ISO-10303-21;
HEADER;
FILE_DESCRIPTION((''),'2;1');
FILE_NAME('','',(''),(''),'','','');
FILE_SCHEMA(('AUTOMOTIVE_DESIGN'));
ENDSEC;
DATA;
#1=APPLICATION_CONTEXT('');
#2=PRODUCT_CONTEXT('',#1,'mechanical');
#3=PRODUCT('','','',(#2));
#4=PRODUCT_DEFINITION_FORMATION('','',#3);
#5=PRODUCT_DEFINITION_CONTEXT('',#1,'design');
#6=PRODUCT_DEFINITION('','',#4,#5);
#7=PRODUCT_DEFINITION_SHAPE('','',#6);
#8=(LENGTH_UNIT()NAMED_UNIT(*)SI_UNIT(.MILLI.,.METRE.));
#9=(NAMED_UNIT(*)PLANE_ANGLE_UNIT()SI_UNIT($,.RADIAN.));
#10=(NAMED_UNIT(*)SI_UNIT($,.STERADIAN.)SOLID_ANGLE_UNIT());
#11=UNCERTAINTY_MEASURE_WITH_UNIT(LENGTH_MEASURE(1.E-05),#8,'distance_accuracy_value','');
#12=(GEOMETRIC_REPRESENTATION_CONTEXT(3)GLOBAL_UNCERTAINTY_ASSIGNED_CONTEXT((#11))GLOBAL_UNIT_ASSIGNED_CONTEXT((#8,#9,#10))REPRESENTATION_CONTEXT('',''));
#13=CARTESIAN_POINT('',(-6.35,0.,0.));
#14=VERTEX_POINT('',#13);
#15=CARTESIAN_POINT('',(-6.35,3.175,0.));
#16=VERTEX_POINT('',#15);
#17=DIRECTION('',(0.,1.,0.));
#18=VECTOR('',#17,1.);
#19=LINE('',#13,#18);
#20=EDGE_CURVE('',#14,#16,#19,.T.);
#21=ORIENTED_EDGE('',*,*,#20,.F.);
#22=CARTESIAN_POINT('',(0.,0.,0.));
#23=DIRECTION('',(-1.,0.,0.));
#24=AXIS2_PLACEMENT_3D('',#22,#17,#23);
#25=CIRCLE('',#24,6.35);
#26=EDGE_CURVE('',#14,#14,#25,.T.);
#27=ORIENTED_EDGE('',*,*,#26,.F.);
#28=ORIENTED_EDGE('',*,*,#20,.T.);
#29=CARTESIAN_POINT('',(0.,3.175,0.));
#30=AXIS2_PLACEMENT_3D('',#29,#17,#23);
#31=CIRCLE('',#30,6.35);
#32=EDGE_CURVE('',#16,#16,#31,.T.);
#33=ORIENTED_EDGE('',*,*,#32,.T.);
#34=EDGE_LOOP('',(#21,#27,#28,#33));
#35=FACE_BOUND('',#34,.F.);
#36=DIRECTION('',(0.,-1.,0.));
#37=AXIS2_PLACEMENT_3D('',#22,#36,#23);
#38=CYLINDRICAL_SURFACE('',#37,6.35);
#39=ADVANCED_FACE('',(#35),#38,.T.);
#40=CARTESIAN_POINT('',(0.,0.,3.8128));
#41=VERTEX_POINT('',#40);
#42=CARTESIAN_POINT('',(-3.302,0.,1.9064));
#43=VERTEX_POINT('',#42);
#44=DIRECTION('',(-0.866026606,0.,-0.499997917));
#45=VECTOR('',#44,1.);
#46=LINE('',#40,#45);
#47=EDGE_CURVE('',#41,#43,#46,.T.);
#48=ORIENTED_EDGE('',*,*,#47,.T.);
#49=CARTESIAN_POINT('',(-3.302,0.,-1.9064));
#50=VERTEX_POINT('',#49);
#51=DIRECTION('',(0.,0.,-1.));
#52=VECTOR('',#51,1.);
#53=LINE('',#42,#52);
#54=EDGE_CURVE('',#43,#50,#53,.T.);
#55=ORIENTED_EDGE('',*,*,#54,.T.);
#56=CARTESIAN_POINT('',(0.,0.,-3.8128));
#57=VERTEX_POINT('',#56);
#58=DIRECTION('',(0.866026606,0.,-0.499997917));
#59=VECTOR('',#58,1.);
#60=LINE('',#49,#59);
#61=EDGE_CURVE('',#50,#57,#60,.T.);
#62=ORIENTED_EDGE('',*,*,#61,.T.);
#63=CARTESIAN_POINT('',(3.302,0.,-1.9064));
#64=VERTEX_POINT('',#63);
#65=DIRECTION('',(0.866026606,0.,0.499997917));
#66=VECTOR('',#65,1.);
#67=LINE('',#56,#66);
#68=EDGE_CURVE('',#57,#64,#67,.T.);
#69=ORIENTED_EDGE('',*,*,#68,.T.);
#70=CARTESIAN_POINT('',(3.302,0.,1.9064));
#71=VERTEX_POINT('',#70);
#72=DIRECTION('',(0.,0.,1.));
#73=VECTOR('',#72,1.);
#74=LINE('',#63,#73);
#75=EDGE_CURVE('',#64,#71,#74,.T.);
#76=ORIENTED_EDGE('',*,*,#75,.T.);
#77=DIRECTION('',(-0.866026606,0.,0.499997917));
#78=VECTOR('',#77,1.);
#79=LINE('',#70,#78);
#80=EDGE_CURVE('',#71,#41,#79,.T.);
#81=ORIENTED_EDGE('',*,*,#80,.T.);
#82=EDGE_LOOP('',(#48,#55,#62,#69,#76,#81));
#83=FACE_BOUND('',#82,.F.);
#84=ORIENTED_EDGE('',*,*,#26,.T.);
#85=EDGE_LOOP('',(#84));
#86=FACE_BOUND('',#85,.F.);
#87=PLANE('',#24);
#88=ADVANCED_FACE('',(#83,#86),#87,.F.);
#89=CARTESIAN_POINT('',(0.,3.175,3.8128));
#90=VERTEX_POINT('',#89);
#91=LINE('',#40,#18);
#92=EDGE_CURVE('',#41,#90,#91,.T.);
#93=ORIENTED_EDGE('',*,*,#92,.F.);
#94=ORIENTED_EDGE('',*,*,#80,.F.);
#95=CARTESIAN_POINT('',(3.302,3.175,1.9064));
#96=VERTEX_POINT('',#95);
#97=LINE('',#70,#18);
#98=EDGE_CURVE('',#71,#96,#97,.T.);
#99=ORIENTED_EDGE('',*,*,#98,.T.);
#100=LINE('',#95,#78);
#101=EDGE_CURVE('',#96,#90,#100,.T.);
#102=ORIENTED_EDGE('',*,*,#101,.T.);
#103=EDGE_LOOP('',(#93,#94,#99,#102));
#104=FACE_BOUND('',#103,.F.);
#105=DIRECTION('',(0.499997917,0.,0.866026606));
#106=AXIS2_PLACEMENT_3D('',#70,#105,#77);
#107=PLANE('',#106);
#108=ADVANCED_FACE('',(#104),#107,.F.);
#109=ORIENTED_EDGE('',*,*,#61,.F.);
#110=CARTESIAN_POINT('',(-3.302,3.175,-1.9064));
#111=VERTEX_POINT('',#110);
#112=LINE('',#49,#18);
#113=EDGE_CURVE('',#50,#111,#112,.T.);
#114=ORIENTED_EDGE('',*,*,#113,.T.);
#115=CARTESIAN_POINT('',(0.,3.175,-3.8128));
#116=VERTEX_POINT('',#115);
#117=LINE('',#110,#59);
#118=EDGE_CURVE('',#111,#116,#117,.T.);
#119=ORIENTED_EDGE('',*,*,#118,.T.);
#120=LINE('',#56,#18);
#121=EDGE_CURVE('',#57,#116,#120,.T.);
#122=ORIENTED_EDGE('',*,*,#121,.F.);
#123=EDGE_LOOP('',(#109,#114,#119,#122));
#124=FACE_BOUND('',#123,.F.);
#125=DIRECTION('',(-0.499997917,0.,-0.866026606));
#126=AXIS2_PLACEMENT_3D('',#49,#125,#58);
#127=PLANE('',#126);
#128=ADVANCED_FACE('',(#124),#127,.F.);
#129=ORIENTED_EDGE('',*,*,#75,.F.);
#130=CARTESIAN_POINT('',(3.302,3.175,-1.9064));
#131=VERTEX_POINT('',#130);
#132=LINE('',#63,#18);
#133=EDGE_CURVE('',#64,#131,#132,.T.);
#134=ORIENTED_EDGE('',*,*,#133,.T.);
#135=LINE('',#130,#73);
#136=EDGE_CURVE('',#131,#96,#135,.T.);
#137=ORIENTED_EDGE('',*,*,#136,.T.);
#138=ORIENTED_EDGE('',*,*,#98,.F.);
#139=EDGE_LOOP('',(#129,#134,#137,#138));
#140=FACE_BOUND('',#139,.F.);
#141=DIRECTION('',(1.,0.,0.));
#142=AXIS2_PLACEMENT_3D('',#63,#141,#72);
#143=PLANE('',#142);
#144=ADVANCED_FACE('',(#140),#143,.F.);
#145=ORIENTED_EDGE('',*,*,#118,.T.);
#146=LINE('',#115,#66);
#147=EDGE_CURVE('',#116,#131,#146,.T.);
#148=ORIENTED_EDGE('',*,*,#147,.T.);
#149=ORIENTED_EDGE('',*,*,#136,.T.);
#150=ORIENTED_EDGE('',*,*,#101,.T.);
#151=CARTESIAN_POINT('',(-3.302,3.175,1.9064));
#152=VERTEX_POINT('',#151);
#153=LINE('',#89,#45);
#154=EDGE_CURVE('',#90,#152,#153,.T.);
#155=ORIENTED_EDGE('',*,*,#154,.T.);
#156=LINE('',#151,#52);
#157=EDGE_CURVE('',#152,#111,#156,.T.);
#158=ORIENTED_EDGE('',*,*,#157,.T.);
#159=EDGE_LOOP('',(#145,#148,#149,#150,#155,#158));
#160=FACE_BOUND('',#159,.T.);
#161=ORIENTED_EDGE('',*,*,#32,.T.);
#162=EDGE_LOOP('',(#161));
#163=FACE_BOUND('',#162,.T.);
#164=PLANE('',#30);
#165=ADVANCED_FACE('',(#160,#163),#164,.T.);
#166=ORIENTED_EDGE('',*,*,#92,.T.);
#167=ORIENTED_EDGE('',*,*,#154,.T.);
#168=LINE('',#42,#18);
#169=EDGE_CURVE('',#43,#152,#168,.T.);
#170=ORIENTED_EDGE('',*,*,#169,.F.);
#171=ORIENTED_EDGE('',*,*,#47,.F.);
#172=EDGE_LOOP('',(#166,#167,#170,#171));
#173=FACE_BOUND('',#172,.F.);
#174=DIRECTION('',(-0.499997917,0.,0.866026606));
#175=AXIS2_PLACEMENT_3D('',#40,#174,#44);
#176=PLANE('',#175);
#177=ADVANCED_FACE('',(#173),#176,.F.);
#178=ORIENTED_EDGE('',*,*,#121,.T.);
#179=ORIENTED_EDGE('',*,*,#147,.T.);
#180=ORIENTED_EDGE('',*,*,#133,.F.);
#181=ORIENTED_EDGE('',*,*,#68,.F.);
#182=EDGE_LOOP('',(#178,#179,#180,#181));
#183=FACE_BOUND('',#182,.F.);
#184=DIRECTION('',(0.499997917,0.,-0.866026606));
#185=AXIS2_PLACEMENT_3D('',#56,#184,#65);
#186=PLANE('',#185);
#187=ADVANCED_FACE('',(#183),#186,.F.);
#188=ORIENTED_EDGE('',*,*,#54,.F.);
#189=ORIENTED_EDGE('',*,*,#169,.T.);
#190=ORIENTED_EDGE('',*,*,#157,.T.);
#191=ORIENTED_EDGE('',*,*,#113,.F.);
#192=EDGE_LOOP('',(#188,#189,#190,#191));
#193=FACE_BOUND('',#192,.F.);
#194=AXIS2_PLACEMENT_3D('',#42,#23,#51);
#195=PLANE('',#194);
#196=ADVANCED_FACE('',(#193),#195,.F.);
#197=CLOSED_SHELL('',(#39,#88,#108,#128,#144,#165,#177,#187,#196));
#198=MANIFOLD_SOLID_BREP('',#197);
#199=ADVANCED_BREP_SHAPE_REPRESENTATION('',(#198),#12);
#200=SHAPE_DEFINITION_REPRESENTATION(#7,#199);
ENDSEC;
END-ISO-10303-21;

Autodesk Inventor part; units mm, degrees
ref_plane "YZ Plane" through (0, 0, 0) normal (1, 0, 0) x (0, 1, 0)
ref_plane "XZ Plane" through (0, 0, 0) normal (0, 1, 0) x (-1, 0, 0)
ref_plane "XY Plane" through (0, 0, 0) normal (0, 0, 1) x (1, 0, 0)
sketch "Sketch1" plane through (0, 0, 0) normal (0, 1, 0) x (-1, 0, 0)
  line L0 (0, 3.8128) -> (3.302, 1.9064)
  line L1 (3.302, 1.9064) -> (3.302, -1.9064)
  line L2 (3.302, -1.9064) -> (0, -3.8128)
  line L3 (0, -3.8128) -> (-3.302, -1.9064)
  line L4 (-3.302, -1.9064) -> (-3.302, 1.9064)
  line L5 (-3.302, 1.9064) -> (0, 3.8128)
  circle A0 centre (0, 0) radius 6.35
  dimension "d0" = 6.604
  dimension "d1" = 12.7
extrude "Extrusion1" add sketch "Sketch1" along normal blind 3.175
properties part number "1_8 Spacer 1_4 Hex Custom" material "PET Plastic"
